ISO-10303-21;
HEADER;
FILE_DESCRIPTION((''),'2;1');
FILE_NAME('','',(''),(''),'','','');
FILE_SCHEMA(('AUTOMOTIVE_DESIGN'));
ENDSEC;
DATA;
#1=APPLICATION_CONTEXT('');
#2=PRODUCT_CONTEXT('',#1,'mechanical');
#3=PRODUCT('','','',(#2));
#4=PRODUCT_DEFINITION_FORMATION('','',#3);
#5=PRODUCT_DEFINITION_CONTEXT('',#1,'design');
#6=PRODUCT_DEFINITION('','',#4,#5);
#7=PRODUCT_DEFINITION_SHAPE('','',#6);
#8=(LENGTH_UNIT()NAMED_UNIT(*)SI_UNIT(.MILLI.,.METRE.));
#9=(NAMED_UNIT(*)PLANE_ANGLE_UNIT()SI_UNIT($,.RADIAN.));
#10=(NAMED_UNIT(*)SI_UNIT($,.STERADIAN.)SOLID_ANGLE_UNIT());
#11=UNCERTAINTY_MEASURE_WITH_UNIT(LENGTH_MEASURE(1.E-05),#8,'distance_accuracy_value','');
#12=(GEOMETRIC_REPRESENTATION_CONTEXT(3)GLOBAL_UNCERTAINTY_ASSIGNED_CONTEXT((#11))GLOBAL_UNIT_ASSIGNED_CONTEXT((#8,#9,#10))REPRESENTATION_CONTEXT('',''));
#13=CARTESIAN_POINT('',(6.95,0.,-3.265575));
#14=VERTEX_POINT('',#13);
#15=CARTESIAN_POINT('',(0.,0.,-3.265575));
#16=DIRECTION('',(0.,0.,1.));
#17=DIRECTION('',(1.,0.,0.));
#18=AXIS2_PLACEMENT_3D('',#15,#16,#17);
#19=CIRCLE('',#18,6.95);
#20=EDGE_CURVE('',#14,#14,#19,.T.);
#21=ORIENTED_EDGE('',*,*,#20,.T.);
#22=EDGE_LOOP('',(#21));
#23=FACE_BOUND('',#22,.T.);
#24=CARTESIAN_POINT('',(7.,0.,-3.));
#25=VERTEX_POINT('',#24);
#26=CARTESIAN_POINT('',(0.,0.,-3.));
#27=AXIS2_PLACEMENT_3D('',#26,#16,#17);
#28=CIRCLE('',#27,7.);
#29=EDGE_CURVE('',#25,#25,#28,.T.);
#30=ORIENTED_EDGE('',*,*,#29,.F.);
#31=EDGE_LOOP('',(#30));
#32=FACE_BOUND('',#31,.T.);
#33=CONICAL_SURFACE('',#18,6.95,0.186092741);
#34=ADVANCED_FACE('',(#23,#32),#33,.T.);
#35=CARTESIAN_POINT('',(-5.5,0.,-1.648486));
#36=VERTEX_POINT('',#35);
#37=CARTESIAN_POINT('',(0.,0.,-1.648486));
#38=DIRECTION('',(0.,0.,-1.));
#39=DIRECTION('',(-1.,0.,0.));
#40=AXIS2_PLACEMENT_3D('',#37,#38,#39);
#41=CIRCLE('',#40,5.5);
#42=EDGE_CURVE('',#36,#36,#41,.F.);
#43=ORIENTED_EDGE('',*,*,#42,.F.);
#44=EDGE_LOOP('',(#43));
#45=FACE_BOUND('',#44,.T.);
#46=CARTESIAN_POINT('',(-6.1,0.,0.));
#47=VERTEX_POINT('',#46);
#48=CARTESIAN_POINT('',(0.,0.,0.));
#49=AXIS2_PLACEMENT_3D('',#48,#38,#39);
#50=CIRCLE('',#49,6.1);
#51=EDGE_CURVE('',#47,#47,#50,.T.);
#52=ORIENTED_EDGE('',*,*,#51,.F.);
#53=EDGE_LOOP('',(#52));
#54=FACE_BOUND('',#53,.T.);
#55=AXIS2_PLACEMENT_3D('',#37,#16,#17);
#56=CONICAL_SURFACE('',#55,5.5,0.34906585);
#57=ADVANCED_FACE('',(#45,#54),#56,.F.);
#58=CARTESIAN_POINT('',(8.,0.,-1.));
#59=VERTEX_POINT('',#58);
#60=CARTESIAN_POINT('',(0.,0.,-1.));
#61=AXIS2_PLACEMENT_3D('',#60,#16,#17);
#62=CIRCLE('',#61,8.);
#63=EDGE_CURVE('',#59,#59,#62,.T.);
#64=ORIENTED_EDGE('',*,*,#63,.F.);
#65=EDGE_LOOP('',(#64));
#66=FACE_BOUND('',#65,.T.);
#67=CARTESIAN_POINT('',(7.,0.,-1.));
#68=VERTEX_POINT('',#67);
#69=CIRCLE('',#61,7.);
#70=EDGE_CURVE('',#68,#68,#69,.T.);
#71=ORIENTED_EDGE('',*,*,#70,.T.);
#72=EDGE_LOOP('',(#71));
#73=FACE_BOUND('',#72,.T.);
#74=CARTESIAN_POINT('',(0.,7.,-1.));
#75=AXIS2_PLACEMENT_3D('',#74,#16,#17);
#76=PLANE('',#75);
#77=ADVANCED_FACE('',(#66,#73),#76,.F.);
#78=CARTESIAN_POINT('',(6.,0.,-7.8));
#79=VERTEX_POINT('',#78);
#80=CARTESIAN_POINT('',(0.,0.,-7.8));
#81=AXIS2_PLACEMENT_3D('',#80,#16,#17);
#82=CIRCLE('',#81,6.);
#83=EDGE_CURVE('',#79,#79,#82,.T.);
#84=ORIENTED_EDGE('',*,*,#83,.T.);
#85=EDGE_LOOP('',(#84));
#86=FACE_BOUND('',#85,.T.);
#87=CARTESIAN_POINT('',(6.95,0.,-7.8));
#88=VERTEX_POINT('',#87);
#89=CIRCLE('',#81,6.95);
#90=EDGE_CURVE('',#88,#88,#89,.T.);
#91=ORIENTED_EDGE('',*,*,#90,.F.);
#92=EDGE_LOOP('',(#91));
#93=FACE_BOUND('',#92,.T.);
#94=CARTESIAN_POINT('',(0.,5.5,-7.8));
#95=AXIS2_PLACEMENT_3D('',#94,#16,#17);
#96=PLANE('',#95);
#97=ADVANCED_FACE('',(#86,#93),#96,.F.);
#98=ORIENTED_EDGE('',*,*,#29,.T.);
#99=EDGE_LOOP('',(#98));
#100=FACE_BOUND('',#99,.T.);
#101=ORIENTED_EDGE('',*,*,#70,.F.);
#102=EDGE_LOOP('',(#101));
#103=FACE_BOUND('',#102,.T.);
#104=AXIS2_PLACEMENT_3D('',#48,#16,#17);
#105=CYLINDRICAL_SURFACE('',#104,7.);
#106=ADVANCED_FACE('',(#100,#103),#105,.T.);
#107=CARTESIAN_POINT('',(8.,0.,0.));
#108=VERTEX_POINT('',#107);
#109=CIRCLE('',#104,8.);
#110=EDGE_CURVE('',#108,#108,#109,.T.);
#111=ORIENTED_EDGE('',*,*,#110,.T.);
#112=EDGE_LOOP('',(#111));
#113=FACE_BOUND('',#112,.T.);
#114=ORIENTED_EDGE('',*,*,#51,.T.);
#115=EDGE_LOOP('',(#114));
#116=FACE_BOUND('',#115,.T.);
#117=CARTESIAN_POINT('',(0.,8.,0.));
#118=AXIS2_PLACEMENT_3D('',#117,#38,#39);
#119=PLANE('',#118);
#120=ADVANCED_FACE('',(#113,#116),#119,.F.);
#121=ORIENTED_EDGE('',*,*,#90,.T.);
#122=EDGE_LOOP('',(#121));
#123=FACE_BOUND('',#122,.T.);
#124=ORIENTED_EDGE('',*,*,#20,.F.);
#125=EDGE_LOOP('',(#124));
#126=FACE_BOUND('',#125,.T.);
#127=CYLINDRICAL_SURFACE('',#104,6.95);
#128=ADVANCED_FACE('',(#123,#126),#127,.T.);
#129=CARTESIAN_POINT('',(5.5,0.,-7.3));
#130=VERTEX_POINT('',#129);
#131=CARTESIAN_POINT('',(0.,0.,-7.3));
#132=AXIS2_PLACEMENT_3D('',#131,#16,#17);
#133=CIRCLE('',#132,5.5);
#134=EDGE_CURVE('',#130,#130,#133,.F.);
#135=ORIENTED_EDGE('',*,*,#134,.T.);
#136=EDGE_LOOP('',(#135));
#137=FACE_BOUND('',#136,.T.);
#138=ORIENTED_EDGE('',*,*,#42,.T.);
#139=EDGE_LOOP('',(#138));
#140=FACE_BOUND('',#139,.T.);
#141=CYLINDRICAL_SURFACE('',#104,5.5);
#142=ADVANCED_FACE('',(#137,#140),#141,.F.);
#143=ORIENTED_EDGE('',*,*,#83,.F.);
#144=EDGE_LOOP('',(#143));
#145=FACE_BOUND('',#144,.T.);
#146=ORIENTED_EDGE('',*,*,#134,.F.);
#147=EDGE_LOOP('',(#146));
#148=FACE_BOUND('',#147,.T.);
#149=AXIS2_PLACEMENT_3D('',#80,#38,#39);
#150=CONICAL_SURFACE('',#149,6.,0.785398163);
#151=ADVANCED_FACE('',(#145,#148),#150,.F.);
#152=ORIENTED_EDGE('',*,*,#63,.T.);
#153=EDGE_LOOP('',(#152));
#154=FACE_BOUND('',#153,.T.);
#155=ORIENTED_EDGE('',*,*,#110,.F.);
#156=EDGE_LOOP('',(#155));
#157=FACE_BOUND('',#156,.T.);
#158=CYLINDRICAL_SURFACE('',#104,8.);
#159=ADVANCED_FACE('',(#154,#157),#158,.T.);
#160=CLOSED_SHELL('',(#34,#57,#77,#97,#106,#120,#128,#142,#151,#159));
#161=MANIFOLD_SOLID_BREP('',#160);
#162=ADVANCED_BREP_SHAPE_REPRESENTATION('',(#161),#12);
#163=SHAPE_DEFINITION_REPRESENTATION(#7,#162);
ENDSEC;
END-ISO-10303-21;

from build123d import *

# Parameters (mm, degrees)
CHAMFER_1_SIZE  = 0.5
CHAMFER_2_SIZE  = 0.6
CHAMFER_2_SIZE2 = 1.648486452


with BuildPart() as part:
    # Эскиз1 → Повернуть1 (revolve)
    with BuildSketch(Plane(origin=(0, 0, 0), x_dir=(0, 0, -1), z_dir=(1, 0, 0))):
        Polygon((0, 5.5), (7.8, 5.5), (7.8, 6.95), (3.265574507, 6.95), (3, 7), (1, 7), (1, 8), (0, 8), align=None)
    revolve(axis=Axis((0, 0, 0), (0, 0, -1)))

    # Фаска1
    chamfer_1_edges = [part.edges().sort_by_distance(p)[0] for p in [
        (0, -5.5, -7.8),
    ]]
    chamfer(chamfer_1_edges, length=CHAMFER_1_SIZE)

    # Фаска2
    chamfer_2_edges = [part.edges().sort_by_distance(p)[0] for p in [
        (0, -5.5, 0),
    ]]
    chamfer_2_side = [part.faces().sort_by_distance(p)[0] for p in [
        (0, -7.77372583, 0),
    ]]
    chamfer(chamfer_2_edges, length=CHAMFER_2_SIZE, length2=CHAMFER_2_SIZE2, reference=chamfer_2_side[0])


solid = part.part
